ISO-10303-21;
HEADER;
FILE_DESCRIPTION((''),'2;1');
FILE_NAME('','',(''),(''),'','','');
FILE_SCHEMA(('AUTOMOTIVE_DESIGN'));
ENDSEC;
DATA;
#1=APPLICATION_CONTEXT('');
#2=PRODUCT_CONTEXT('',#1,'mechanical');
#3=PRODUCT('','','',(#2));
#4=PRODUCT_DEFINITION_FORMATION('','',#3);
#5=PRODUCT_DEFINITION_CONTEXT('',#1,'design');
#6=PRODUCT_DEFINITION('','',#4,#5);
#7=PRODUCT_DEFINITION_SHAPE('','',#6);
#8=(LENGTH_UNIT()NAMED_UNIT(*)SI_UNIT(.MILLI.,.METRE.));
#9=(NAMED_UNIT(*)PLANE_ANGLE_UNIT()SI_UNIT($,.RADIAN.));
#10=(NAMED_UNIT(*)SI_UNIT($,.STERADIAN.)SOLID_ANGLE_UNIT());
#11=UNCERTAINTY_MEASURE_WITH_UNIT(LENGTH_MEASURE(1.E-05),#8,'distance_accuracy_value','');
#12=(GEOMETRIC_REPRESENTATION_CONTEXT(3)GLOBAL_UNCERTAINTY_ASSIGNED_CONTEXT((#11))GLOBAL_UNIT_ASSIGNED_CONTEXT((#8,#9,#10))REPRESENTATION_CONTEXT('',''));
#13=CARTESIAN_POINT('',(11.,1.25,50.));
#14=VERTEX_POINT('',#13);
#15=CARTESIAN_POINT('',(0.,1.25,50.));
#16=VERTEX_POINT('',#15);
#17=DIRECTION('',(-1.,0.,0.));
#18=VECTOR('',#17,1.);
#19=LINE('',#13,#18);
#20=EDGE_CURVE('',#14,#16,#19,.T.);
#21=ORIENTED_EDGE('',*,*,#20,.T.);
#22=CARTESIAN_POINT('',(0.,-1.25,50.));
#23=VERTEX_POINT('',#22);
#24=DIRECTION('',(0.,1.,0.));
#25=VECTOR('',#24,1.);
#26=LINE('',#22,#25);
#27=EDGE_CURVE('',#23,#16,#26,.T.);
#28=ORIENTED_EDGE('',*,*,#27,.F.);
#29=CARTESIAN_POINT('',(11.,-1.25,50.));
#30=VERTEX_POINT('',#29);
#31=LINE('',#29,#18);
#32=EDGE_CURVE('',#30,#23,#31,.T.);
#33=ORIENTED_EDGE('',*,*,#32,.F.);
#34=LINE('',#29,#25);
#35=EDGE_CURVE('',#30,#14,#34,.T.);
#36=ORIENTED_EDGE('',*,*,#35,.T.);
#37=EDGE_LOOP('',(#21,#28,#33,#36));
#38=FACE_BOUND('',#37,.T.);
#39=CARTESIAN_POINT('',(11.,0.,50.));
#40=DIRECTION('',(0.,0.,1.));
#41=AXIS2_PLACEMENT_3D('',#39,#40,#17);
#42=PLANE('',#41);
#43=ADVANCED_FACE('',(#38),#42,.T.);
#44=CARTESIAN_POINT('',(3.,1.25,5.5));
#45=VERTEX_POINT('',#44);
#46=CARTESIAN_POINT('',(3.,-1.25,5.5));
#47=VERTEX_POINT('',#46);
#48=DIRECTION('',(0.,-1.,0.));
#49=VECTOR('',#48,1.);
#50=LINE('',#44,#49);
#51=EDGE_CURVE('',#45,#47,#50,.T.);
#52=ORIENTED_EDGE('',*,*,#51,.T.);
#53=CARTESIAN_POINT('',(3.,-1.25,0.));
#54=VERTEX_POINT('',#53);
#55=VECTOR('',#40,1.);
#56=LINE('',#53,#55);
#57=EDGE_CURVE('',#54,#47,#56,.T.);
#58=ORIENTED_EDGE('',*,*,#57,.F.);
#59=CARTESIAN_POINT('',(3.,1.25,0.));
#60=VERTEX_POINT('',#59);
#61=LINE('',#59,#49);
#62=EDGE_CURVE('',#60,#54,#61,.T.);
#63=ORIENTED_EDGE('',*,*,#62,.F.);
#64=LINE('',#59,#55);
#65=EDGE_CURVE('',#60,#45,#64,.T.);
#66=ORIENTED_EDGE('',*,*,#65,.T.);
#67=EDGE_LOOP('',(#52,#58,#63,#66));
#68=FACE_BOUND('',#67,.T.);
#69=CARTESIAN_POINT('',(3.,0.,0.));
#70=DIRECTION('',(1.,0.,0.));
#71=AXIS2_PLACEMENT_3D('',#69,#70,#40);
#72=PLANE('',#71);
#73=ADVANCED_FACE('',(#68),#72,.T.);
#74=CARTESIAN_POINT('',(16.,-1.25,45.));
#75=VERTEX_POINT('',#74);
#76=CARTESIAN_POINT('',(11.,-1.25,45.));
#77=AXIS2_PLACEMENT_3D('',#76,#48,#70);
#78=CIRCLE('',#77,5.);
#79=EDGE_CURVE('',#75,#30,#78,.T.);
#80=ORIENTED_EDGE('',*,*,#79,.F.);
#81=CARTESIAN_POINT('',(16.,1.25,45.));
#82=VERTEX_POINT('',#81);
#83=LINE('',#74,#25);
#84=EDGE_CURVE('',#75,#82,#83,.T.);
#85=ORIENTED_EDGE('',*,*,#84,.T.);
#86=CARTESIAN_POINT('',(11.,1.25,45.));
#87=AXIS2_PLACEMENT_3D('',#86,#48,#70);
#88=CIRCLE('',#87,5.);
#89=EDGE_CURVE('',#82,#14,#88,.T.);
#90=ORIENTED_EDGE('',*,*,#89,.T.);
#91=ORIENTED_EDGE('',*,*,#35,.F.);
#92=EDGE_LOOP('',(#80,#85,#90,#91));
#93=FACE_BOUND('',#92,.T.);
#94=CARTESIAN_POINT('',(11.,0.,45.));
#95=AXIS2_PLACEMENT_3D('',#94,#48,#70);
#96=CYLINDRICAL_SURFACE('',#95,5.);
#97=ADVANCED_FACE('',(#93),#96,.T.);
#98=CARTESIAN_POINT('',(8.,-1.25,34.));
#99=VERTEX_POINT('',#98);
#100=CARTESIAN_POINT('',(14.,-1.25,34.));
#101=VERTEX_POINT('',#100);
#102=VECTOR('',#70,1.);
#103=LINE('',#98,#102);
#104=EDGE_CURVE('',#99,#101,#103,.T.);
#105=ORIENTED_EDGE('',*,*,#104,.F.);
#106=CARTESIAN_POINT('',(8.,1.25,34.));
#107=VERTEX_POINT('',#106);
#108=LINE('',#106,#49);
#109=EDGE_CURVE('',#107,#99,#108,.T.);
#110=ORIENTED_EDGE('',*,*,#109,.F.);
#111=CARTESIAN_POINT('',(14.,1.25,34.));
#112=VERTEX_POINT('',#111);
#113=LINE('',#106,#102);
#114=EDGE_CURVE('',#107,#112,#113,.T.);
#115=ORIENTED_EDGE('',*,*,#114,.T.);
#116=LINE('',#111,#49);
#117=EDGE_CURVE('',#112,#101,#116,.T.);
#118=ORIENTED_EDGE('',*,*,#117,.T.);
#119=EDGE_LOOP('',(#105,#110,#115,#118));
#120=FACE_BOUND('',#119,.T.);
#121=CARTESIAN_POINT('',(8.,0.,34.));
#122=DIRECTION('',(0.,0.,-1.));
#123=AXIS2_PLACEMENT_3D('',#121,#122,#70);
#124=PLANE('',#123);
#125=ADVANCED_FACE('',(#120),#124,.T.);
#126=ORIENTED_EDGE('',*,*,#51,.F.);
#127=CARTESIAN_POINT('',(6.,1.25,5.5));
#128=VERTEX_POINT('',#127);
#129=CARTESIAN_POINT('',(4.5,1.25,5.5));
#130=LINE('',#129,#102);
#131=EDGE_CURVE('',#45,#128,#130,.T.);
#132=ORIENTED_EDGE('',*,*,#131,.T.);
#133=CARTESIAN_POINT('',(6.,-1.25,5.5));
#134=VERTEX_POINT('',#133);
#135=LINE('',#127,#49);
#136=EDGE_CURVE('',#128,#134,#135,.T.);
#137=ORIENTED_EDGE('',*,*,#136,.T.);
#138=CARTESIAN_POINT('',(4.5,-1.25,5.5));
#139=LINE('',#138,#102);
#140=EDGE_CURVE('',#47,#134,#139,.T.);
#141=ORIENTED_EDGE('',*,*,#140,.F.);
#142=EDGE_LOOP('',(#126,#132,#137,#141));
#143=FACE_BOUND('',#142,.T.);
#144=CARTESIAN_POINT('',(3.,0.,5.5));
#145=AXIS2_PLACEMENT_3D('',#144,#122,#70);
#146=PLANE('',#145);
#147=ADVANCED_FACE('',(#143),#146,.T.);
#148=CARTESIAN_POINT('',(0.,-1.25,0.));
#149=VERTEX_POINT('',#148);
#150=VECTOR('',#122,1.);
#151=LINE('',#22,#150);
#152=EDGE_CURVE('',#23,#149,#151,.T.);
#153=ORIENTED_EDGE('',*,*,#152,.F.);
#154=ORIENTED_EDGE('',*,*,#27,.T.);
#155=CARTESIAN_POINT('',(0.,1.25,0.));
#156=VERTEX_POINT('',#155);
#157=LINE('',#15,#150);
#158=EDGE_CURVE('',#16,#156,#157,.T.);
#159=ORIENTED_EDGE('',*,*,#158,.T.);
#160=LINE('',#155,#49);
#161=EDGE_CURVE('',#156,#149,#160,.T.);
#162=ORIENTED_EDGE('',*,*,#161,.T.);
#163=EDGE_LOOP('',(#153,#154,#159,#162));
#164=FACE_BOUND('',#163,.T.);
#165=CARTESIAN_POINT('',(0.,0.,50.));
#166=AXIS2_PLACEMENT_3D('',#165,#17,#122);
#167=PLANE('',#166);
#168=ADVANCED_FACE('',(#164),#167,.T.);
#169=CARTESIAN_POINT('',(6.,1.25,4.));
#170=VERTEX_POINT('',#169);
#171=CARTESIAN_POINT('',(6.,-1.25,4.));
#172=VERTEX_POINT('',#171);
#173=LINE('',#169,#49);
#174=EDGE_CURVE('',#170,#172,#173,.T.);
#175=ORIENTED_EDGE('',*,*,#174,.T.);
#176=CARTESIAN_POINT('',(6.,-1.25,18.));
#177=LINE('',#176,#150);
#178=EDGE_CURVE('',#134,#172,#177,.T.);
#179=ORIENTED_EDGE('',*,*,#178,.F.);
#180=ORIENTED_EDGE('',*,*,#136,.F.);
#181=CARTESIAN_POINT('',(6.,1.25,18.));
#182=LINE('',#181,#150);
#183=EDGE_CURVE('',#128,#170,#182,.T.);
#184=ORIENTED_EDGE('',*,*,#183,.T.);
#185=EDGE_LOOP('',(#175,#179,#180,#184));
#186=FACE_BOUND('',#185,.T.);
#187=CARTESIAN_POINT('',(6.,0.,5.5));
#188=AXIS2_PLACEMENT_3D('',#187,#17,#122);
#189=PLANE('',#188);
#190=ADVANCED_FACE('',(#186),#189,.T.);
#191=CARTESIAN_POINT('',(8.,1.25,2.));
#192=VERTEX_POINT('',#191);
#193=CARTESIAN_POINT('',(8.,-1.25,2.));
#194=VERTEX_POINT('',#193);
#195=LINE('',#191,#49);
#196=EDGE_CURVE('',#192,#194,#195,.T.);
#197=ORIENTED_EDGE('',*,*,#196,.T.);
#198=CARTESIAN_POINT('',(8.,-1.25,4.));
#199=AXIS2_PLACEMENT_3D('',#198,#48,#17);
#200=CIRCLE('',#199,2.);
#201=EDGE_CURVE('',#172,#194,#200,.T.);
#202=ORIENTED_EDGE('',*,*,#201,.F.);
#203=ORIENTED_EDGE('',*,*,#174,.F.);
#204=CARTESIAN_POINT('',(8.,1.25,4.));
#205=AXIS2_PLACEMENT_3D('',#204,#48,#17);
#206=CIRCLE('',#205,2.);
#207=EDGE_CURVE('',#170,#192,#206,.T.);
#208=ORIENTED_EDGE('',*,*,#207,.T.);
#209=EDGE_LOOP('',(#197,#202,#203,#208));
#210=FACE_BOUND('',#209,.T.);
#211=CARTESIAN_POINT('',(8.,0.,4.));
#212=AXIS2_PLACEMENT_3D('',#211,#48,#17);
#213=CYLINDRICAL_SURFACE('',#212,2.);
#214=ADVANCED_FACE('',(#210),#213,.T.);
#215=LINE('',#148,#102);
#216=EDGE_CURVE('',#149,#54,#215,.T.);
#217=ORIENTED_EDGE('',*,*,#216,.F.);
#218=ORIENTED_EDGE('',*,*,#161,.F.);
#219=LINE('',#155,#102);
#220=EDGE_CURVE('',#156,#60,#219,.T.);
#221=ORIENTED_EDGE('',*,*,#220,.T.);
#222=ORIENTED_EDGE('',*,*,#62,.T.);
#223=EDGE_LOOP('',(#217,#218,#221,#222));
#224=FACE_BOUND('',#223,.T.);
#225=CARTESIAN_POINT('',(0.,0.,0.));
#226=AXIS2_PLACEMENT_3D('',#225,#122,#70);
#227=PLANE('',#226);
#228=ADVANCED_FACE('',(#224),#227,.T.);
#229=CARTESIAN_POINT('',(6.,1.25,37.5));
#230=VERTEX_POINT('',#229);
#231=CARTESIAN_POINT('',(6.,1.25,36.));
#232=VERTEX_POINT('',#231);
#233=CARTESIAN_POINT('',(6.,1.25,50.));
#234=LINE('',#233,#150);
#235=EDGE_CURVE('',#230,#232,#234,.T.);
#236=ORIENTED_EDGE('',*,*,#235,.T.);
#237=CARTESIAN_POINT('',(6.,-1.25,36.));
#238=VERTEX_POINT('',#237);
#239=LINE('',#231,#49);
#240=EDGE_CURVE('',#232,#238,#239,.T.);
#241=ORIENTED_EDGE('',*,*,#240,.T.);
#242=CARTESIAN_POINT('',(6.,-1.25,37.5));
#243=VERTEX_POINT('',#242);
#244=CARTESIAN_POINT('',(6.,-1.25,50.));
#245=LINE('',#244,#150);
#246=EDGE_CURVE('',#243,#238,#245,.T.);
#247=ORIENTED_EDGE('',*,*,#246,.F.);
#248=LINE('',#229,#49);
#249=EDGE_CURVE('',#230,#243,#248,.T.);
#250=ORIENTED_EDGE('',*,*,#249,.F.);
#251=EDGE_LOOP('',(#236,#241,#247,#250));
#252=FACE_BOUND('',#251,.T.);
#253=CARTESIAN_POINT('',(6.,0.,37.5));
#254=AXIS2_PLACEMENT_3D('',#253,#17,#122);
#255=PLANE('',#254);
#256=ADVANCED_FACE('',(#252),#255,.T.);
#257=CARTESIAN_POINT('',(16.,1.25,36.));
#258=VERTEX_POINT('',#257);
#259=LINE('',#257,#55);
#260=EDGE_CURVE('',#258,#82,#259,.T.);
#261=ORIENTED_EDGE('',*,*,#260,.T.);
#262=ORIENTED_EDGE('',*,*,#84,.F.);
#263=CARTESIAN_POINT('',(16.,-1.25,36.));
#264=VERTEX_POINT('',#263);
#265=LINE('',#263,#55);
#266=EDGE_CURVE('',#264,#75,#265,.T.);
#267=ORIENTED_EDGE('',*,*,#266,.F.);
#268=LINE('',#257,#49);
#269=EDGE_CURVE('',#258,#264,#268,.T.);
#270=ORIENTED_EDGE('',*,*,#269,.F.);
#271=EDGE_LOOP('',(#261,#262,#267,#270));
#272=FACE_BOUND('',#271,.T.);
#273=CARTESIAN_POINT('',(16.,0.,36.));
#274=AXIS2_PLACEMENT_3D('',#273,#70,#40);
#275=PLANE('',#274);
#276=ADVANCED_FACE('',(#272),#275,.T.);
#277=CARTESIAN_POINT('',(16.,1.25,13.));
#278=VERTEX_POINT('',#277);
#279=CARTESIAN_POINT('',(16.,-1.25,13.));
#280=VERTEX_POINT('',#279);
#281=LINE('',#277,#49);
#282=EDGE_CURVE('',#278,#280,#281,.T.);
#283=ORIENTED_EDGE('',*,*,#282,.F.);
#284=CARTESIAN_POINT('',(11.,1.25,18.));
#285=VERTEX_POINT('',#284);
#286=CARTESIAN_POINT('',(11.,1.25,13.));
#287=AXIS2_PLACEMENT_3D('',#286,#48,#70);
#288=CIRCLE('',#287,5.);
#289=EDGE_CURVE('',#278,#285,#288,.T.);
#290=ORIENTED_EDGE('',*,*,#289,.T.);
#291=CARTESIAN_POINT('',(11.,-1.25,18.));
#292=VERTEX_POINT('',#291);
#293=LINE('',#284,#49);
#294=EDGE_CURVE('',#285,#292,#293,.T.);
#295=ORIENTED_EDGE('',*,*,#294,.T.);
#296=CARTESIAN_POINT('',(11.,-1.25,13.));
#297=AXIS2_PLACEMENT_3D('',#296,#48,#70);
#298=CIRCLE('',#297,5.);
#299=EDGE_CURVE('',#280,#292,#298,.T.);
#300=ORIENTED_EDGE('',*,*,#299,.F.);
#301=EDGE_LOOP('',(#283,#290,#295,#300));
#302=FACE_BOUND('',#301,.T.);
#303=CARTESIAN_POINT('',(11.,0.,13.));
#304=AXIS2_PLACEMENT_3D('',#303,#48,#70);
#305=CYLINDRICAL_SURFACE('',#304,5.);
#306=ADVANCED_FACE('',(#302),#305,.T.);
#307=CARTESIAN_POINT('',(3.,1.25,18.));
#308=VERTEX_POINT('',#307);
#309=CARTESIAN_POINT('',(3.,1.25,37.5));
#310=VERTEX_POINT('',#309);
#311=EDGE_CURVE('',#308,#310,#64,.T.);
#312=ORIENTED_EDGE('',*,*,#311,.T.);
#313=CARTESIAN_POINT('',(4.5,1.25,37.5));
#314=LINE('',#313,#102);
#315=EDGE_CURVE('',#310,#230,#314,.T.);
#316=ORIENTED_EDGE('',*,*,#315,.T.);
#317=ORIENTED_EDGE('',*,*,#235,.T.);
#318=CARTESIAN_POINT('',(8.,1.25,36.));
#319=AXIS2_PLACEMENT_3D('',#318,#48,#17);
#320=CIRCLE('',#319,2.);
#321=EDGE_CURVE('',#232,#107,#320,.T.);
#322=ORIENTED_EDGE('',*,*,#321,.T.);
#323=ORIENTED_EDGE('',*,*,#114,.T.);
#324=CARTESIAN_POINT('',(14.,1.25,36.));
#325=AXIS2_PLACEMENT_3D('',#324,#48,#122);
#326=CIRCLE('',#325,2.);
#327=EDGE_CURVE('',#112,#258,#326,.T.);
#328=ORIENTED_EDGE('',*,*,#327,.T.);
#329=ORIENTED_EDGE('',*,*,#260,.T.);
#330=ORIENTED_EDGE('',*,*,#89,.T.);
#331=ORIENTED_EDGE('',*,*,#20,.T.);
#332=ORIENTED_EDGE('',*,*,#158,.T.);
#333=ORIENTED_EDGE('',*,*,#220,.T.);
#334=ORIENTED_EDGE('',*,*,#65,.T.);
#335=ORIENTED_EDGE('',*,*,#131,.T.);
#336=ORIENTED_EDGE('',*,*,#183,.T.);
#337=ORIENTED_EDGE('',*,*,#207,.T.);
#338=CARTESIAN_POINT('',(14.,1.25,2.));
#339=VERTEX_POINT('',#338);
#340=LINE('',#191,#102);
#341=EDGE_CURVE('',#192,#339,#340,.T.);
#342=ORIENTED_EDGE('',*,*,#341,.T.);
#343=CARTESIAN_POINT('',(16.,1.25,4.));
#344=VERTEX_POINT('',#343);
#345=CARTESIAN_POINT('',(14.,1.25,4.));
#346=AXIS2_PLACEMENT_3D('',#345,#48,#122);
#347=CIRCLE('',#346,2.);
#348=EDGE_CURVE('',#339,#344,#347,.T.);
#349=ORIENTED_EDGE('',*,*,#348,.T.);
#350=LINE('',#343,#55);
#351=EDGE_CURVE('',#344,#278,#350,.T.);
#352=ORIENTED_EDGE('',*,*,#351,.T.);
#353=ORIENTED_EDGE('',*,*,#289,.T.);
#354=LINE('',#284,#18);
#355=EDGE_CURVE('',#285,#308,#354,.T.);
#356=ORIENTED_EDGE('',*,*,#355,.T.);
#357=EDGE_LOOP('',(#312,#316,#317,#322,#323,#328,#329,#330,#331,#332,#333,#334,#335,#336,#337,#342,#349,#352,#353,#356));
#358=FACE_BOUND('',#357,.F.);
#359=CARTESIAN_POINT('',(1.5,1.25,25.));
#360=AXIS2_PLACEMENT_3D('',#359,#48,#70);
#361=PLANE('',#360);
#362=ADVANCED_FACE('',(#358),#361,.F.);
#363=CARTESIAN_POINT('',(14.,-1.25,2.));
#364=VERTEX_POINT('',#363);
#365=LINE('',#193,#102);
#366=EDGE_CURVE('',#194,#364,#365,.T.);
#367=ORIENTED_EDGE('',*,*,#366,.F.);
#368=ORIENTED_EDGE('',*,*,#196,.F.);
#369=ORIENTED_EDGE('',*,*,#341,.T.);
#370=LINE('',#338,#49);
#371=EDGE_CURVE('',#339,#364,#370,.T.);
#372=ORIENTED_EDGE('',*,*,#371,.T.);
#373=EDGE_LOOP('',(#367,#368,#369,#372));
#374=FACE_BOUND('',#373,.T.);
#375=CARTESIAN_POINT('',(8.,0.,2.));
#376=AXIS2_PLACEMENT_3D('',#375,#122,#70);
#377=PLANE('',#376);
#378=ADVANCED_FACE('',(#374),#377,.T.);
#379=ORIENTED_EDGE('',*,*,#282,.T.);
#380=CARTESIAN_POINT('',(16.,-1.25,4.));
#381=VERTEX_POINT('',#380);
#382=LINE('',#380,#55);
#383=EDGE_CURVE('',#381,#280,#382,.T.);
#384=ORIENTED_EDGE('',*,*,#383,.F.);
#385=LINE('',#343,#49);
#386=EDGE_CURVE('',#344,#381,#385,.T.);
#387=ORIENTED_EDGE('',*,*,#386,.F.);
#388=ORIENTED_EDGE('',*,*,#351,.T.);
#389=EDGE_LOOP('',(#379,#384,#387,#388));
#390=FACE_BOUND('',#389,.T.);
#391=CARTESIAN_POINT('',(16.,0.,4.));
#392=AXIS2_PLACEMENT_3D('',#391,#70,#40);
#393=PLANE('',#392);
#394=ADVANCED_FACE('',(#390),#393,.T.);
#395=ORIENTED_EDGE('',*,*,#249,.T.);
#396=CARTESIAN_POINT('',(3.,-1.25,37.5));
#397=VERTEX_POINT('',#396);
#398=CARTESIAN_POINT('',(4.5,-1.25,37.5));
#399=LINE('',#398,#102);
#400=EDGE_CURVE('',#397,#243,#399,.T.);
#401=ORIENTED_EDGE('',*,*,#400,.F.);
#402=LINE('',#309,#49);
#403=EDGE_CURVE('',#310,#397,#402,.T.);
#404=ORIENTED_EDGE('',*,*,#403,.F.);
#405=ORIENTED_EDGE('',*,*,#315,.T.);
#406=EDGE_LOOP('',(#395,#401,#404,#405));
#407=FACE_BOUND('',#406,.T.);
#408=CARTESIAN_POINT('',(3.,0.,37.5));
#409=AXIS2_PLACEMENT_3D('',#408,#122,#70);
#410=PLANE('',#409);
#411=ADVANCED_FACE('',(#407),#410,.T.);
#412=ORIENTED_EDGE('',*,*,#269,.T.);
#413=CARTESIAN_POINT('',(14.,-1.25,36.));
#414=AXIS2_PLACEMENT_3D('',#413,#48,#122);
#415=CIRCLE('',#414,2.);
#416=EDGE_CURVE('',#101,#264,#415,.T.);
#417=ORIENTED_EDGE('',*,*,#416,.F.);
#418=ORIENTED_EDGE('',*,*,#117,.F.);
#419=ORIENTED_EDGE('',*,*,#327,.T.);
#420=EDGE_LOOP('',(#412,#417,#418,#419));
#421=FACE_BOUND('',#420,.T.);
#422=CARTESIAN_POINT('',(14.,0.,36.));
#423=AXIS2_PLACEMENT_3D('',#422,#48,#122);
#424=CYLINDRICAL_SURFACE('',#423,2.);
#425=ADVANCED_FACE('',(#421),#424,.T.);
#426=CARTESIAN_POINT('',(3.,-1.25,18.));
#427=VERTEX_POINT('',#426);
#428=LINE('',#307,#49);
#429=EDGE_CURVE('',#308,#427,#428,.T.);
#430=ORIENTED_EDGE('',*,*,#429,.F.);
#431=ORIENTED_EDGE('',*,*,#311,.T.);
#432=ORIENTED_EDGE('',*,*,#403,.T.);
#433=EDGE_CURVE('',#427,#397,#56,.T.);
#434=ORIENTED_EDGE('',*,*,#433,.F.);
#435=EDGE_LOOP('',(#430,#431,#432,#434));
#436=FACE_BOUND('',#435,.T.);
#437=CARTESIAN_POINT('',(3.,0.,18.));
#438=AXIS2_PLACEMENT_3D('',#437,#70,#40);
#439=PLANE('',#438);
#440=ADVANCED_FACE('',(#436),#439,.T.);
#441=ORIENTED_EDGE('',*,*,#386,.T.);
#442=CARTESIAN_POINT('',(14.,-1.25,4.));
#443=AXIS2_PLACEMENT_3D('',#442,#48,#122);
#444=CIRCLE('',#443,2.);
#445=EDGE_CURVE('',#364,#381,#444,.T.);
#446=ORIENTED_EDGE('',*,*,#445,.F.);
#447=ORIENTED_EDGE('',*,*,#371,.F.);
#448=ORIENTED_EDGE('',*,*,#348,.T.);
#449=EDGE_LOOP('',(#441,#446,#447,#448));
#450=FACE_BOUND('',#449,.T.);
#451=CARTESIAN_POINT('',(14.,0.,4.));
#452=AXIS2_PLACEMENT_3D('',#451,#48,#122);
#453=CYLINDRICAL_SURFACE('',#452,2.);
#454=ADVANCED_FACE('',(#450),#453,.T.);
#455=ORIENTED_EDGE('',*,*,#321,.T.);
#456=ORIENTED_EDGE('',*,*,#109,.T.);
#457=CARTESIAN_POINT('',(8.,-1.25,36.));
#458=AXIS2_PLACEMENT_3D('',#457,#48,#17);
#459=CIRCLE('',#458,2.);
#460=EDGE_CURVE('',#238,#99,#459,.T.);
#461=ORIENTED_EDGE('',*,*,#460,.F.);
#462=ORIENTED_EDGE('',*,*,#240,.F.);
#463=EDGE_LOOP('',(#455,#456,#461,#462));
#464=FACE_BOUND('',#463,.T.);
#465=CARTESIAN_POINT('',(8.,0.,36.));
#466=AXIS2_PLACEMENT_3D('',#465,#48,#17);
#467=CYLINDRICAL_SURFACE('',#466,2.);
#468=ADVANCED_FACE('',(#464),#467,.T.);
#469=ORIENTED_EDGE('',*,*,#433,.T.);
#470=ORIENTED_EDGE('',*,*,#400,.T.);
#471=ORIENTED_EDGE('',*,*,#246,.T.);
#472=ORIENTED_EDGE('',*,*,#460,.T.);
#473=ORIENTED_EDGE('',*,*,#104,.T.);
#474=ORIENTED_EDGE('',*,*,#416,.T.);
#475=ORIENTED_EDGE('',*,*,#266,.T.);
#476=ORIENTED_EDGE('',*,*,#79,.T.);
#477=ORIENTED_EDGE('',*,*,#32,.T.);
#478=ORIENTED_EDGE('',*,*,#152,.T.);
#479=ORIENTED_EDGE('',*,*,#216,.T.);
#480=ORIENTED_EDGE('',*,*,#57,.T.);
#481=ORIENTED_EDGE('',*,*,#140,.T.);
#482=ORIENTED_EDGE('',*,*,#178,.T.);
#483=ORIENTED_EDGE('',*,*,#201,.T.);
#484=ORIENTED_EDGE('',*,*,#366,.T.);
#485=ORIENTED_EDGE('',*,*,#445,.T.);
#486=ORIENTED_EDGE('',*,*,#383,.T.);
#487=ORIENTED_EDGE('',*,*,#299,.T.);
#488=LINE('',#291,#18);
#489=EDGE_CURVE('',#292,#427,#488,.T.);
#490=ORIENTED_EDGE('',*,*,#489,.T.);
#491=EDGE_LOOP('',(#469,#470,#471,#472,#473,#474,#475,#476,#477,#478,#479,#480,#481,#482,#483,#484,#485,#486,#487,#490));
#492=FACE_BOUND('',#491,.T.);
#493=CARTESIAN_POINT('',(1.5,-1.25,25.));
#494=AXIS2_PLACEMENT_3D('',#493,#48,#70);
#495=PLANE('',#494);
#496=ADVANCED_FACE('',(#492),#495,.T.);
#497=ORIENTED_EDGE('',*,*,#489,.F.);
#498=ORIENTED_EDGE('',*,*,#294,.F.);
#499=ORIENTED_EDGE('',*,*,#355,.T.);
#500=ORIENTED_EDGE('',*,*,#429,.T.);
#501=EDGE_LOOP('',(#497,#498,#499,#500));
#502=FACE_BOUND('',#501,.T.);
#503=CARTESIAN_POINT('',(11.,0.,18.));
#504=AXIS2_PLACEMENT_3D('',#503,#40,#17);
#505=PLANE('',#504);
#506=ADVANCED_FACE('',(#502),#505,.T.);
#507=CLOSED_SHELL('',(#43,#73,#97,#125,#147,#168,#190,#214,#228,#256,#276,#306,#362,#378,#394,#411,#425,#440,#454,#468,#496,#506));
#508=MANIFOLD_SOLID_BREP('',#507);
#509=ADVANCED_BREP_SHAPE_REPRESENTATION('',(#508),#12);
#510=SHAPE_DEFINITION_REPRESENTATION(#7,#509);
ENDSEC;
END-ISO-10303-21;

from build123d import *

# Parameters (mm, degrees)
F1_W     = 3
F1_H     = 12.5
F2_DEPTH = 1.25


with BuildPart() as f2:
    # F1 (on Front) → F2 (new body, symmetric)
    with BuildSketch(Plane.XZ):
        Polygon((3, 50), (0, 50), (0, 0), (3, 0), (3, 5.5), (3, 18), (3, 37.5), align=None)
        with Locations((4.5, 43.75)):
            Rectangle(F1_W, F1_H)
        with BuildLine():
            Line((11, 50), (6, 50))
            Line((6, 50), (6, 37.5))
            Line((6, 37.5), (6, 36))
            ThreePointArc((6, 36), (6.5857864376, 34.5857864376), (8, 34))
            Line((8, 34), (14, 34))
            ThreePointArc((14, 34), (15.4142135624, 34.5857864376), (16, 36))
            Line((16, 36), (16, 45))
            ThreePointArc((16, 45), (14.5355339059, 48.5355339059), (11, 50))
        make_face()
        with Locations((4.5, 11.75)):
            Rectangle(F1_W, F1_H)
        with BuildLine():
            Line((11, 18), (6, 18))
            Line((6, 18), (6, 5.5))
            Line((6, 5.5), (6, 4))
            ThreePointArc((6, 4), (6.5857864376, 2.5857864376), (8, 2))
            Line((8, 2), (14, 2))
            ThreePointArc((14, 2), (15.4142135624, 2.5857864376), (16, 4))
            Line((16, 4), (16, 13))
            ThreePointArc((16, 13), (14.5355339059, 16.5355339059), (11, 18))
        make_face()
    extrude(amount=F2_DEPTH, both=True)


solid = f2.part
